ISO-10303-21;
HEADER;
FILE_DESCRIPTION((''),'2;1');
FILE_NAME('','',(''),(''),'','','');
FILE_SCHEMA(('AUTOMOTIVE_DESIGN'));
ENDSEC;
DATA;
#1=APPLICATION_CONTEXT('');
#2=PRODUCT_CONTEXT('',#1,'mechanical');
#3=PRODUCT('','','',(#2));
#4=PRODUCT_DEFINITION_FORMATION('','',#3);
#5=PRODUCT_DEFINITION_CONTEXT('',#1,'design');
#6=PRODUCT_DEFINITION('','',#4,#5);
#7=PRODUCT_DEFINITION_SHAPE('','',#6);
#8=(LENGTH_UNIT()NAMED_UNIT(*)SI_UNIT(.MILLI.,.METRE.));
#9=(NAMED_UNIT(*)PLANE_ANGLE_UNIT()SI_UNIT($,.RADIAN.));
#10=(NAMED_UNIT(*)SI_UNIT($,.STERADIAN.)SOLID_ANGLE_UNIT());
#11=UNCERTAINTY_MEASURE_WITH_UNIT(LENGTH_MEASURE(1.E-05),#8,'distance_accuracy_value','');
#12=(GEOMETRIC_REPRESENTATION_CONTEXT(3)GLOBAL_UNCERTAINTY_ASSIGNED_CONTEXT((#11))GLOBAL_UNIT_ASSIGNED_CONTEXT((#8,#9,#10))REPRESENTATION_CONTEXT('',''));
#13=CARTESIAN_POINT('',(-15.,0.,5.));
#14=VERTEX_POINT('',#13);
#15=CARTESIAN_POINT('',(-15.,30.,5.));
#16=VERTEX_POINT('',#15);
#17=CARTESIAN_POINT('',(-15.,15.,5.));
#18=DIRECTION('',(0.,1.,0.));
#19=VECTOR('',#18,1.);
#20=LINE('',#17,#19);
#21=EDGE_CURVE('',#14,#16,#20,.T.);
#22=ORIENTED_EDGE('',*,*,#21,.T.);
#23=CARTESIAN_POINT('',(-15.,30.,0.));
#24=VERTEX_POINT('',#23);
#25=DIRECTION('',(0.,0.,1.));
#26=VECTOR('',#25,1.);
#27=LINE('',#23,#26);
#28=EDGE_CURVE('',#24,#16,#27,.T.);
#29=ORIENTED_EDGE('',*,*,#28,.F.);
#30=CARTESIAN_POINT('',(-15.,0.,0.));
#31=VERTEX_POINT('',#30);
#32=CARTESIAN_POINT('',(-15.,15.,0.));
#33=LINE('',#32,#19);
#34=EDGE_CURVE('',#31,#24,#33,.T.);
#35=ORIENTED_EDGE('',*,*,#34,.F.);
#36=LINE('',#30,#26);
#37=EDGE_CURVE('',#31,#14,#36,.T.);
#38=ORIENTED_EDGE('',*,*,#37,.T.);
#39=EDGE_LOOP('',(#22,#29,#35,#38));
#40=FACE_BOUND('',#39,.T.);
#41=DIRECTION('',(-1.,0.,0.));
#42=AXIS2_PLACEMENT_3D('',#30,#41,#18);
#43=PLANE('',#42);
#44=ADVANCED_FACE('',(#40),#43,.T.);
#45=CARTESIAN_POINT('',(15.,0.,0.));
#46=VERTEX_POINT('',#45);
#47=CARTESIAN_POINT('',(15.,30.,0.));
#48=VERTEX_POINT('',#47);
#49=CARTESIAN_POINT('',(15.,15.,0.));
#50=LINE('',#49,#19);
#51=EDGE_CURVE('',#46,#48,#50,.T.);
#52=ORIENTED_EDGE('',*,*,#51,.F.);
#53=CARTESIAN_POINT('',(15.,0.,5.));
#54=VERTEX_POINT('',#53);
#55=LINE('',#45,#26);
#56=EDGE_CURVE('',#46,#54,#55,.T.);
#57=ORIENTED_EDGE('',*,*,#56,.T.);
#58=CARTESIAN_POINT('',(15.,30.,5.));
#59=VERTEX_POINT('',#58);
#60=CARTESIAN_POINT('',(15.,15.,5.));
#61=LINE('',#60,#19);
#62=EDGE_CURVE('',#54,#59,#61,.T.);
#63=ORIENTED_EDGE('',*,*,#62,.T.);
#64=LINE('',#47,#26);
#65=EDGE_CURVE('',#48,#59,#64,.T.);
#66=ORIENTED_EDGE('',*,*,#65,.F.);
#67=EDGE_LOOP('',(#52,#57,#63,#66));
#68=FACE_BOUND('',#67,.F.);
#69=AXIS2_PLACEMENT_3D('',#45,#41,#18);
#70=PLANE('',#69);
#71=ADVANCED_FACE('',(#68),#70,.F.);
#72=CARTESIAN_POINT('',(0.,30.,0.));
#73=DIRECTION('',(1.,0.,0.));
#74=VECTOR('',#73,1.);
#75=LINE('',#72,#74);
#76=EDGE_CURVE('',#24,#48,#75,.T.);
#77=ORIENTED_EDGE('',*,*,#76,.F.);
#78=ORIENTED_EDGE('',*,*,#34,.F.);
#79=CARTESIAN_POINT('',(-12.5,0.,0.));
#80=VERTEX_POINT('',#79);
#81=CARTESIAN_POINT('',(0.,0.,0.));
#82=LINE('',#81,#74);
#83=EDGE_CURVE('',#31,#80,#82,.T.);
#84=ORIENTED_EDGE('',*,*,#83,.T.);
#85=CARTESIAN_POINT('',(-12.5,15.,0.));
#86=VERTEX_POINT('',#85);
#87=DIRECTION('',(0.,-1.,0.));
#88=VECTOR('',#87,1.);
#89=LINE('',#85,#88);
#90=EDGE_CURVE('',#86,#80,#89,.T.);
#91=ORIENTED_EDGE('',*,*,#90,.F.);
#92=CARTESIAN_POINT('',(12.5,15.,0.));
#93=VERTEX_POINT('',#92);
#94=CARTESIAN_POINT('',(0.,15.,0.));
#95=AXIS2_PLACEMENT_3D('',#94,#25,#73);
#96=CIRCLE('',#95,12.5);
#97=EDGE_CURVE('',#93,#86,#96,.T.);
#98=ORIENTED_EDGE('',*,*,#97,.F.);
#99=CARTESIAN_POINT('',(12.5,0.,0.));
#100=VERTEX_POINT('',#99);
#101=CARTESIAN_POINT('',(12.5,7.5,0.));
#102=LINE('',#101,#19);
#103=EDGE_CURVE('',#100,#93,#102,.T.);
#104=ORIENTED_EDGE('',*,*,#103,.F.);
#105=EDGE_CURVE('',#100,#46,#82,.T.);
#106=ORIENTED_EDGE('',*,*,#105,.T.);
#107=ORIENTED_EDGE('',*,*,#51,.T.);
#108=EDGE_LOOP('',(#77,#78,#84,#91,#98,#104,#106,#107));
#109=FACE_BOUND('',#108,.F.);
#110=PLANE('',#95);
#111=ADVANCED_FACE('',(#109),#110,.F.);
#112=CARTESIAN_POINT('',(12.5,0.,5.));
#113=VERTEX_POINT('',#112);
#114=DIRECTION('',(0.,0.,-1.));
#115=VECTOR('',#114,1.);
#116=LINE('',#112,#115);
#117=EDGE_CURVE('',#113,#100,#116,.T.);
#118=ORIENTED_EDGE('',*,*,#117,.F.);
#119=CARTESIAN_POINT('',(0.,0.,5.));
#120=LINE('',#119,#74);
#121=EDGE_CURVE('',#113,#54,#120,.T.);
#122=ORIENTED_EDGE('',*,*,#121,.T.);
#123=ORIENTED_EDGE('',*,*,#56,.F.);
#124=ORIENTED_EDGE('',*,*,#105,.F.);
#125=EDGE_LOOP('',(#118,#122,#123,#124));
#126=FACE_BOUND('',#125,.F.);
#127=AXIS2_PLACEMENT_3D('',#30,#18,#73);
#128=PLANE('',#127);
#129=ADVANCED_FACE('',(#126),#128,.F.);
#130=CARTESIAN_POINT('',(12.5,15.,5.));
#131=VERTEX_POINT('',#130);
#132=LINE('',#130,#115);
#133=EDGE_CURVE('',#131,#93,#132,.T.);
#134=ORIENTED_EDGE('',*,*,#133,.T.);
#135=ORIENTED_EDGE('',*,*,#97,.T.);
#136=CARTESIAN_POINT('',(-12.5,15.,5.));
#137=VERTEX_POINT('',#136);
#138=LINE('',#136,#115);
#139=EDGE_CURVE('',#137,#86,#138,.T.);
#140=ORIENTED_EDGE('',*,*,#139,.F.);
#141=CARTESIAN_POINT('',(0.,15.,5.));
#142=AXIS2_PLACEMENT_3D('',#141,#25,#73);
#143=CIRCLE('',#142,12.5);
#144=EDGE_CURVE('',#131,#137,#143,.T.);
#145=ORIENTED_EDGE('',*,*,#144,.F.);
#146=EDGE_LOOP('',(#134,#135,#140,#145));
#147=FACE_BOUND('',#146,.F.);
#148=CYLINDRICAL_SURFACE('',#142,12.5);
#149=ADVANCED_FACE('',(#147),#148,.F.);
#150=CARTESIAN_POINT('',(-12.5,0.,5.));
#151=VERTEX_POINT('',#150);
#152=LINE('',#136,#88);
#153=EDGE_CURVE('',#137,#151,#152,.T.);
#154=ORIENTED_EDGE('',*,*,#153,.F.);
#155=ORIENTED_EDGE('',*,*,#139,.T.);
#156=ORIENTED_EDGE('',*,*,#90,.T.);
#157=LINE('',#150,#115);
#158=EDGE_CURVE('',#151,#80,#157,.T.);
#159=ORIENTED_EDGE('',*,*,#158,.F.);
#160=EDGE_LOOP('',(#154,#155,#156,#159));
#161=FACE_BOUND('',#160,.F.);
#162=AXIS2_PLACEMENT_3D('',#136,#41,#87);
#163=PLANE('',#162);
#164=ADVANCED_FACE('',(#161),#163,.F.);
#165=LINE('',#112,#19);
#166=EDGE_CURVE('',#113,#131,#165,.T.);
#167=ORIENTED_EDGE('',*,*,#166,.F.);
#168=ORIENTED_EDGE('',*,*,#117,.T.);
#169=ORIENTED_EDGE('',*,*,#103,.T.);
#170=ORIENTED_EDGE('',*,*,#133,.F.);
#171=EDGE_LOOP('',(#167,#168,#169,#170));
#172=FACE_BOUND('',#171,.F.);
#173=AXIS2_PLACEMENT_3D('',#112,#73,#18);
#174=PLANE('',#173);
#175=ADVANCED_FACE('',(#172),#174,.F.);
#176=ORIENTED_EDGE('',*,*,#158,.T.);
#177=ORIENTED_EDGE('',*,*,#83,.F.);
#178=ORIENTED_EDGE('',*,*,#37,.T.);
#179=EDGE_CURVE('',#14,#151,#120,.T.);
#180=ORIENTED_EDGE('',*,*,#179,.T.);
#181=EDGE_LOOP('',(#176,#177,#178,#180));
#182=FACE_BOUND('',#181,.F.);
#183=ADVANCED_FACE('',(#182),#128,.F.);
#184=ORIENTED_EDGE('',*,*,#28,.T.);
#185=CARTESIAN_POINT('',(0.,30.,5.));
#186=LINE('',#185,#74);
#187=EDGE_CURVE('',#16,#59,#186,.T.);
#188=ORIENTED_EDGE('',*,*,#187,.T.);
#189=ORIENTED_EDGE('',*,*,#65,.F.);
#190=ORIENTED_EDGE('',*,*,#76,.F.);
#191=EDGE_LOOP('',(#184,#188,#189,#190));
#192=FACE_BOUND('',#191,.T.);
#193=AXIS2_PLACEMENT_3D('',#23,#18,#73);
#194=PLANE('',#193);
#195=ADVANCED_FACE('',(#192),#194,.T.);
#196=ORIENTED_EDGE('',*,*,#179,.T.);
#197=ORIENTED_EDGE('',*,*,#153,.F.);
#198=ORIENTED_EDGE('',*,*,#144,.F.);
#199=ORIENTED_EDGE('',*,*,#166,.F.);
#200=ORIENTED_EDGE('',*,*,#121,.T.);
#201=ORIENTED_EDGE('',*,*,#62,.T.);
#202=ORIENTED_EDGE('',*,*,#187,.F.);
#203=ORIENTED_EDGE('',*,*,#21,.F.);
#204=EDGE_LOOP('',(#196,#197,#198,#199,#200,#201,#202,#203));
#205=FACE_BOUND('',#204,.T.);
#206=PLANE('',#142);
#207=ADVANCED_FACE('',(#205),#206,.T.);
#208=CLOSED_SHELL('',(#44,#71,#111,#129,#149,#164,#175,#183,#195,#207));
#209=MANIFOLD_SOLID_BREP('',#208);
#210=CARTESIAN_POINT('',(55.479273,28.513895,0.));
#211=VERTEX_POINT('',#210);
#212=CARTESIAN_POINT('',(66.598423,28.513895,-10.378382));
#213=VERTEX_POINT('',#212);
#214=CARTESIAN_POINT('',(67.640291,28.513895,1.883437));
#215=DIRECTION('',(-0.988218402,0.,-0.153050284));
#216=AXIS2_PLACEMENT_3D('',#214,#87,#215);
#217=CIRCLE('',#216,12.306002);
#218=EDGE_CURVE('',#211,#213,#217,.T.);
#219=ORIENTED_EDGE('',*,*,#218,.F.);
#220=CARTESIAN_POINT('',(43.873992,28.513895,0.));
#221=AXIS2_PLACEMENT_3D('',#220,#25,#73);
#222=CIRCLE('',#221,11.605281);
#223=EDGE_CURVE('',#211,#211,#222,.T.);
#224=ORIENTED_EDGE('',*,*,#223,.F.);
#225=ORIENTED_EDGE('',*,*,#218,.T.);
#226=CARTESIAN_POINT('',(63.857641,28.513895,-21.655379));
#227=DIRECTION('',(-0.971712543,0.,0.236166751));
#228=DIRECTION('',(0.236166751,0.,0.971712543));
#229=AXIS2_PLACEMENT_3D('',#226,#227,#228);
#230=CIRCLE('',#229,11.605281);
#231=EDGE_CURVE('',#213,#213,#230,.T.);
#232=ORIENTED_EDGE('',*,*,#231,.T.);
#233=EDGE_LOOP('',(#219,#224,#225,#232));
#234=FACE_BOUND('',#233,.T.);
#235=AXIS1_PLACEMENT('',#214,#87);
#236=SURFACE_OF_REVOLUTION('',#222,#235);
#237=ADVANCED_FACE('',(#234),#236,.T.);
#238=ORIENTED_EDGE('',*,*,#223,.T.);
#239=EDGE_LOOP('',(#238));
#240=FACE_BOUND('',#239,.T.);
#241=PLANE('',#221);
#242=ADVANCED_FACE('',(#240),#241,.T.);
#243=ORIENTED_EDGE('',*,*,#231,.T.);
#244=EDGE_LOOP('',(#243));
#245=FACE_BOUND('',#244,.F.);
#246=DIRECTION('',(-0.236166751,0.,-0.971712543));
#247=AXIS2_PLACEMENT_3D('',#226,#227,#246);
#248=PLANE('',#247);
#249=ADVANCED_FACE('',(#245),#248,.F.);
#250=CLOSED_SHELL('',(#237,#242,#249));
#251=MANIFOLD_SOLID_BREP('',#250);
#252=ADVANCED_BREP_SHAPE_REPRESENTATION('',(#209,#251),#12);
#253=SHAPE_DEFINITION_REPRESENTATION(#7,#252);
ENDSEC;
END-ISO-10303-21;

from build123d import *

# Parameters (mm, degrees)
F0_W     = 30
F0_H     = 30
F1_DEPTH = 5
F3_DEPTH = 25
F4_R     = 11.605281


with BuildPart() as f1:
    # F0 (on Top) → F1 (new body)
    with BuildSketch(Plane.XY):
        with Locations((0, 15)):
            Rectangle(F0_W, F0_H)
    extrude(amount=F1_DEPTH)

    # F2 (on face) → F3 (cut)
    with BuildSketch(Plane.XY.offset(5)):
        with BuildLine():
            Line((12.5, 0), (12.5, 15))
            ThreePointArc((12.5, 15), (0, 2.5), (-12.5, 15))
            Line((-12.5, 15), (-12.5, 0))
            Line((-12.5, 0), (12.5, 0))
        make_face()
        with BuildLine():
            ThreePointArc((-12.5, 15), (0, 2.5), (12.5, 15))
            ThreePointArc((12.5, 15), (0, 27.5), (-12.5, 15))
        make_face()
    extrude(amount=-F3_DEPTH, mode=Mode.SUBTRACT)


with BuildPart() as f6:
    # F6: sweep along a path in F5
    with BuildLine(Plane.XZ) as f6_path:
        ThreePointArc((43.873992, 0), (50.119589, -14.28472), (63.857641, -21.655379))
    # F4 (on Top) → F6 (sweep)
    with BuildSketch(Plane.XY):
        with Locations((43.873992, 28.513895)):
            Circle(F4_R)
    sweep(path=f6_path.line)


solid = Compound([f1.part, f6.part])
